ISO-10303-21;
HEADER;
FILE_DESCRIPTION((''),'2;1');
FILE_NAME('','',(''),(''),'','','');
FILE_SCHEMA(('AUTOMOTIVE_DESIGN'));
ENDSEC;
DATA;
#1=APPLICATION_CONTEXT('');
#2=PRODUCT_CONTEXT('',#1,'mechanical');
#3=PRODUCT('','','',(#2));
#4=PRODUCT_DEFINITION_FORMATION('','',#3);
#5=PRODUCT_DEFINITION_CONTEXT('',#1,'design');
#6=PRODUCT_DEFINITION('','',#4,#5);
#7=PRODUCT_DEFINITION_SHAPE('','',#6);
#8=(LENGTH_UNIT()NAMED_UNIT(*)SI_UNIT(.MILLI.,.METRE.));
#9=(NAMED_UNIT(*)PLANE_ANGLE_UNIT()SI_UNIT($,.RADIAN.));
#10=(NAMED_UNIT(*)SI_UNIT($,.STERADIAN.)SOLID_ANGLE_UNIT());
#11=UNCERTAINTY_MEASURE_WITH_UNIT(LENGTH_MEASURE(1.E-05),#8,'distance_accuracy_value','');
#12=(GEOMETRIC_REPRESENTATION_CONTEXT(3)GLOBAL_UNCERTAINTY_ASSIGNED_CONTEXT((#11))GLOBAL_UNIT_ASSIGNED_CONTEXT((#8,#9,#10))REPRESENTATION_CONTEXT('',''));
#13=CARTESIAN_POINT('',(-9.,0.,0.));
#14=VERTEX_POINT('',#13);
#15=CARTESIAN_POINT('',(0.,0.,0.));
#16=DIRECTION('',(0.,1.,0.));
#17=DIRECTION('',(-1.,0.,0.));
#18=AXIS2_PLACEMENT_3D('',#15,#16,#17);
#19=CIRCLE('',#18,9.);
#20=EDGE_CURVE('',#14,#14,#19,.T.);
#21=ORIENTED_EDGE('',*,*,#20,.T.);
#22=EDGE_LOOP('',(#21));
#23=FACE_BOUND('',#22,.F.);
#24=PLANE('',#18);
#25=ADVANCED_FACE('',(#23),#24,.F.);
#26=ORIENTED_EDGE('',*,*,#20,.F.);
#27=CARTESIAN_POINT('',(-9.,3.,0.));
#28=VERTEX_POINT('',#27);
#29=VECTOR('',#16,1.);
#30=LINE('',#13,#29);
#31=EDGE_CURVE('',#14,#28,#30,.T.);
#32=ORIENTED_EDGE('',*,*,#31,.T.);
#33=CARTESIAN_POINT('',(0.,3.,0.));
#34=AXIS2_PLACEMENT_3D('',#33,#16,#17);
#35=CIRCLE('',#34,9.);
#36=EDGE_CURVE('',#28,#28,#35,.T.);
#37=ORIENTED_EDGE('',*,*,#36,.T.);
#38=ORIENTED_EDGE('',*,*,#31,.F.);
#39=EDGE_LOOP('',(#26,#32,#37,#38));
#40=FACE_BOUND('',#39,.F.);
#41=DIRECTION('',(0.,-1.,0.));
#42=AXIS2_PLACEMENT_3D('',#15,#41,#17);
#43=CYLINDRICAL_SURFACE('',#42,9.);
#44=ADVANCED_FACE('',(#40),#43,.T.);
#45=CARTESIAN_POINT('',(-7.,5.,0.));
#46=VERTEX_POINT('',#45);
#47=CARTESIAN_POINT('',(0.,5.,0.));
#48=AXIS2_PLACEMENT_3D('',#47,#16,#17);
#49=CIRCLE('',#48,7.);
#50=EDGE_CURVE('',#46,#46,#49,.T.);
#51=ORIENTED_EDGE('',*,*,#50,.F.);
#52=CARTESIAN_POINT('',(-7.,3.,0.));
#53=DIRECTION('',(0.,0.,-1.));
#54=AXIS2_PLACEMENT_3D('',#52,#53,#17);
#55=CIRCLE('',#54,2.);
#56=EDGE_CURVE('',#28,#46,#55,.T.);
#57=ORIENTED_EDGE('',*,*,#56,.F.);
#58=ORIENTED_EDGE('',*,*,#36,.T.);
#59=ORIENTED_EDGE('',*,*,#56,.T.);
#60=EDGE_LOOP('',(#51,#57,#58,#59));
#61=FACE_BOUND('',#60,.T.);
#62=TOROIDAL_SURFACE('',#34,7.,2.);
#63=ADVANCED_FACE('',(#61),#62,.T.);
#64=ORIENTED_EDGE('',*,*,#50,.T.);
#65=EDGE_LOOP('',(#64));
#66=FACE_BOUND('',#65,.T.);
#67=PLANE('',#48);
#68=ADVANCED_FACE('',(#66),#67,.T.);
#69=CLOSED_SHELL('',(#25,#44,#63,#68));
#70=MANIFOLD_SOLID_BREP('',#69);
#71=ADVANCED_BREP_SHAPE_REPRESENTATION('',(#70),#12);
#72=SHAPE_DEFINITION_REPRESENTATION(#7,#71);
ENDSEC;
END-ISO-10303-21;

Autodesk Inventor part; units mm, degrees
ref_plane "YZ Plane" through (0, 0, 0) normal (1, 0, 0) x (0, 1, 0)
ref_plane "XZ Plane" through (0, 0, 0) normal (0, 1, 0) x (-1, 0, 0)
ref_plane "XY Plane" through (0, 0, 0) normal (0, 0, 1) x (1, 0, 0)
sketch "Esquisse1" plane through (0, 0, 0) normal (0, 1, 0) x (-1, 0, 0)
  circle A0 centre (0, 0) radius 9
  dimension "d0" = 18
extrude "Extrusion1" add sketch "Esquisse1" along normal blind 5
fillet "Congé1" radius 2 1 edges at (9, 5, 0)
properties part number "patin_d18mm_e6mm"
